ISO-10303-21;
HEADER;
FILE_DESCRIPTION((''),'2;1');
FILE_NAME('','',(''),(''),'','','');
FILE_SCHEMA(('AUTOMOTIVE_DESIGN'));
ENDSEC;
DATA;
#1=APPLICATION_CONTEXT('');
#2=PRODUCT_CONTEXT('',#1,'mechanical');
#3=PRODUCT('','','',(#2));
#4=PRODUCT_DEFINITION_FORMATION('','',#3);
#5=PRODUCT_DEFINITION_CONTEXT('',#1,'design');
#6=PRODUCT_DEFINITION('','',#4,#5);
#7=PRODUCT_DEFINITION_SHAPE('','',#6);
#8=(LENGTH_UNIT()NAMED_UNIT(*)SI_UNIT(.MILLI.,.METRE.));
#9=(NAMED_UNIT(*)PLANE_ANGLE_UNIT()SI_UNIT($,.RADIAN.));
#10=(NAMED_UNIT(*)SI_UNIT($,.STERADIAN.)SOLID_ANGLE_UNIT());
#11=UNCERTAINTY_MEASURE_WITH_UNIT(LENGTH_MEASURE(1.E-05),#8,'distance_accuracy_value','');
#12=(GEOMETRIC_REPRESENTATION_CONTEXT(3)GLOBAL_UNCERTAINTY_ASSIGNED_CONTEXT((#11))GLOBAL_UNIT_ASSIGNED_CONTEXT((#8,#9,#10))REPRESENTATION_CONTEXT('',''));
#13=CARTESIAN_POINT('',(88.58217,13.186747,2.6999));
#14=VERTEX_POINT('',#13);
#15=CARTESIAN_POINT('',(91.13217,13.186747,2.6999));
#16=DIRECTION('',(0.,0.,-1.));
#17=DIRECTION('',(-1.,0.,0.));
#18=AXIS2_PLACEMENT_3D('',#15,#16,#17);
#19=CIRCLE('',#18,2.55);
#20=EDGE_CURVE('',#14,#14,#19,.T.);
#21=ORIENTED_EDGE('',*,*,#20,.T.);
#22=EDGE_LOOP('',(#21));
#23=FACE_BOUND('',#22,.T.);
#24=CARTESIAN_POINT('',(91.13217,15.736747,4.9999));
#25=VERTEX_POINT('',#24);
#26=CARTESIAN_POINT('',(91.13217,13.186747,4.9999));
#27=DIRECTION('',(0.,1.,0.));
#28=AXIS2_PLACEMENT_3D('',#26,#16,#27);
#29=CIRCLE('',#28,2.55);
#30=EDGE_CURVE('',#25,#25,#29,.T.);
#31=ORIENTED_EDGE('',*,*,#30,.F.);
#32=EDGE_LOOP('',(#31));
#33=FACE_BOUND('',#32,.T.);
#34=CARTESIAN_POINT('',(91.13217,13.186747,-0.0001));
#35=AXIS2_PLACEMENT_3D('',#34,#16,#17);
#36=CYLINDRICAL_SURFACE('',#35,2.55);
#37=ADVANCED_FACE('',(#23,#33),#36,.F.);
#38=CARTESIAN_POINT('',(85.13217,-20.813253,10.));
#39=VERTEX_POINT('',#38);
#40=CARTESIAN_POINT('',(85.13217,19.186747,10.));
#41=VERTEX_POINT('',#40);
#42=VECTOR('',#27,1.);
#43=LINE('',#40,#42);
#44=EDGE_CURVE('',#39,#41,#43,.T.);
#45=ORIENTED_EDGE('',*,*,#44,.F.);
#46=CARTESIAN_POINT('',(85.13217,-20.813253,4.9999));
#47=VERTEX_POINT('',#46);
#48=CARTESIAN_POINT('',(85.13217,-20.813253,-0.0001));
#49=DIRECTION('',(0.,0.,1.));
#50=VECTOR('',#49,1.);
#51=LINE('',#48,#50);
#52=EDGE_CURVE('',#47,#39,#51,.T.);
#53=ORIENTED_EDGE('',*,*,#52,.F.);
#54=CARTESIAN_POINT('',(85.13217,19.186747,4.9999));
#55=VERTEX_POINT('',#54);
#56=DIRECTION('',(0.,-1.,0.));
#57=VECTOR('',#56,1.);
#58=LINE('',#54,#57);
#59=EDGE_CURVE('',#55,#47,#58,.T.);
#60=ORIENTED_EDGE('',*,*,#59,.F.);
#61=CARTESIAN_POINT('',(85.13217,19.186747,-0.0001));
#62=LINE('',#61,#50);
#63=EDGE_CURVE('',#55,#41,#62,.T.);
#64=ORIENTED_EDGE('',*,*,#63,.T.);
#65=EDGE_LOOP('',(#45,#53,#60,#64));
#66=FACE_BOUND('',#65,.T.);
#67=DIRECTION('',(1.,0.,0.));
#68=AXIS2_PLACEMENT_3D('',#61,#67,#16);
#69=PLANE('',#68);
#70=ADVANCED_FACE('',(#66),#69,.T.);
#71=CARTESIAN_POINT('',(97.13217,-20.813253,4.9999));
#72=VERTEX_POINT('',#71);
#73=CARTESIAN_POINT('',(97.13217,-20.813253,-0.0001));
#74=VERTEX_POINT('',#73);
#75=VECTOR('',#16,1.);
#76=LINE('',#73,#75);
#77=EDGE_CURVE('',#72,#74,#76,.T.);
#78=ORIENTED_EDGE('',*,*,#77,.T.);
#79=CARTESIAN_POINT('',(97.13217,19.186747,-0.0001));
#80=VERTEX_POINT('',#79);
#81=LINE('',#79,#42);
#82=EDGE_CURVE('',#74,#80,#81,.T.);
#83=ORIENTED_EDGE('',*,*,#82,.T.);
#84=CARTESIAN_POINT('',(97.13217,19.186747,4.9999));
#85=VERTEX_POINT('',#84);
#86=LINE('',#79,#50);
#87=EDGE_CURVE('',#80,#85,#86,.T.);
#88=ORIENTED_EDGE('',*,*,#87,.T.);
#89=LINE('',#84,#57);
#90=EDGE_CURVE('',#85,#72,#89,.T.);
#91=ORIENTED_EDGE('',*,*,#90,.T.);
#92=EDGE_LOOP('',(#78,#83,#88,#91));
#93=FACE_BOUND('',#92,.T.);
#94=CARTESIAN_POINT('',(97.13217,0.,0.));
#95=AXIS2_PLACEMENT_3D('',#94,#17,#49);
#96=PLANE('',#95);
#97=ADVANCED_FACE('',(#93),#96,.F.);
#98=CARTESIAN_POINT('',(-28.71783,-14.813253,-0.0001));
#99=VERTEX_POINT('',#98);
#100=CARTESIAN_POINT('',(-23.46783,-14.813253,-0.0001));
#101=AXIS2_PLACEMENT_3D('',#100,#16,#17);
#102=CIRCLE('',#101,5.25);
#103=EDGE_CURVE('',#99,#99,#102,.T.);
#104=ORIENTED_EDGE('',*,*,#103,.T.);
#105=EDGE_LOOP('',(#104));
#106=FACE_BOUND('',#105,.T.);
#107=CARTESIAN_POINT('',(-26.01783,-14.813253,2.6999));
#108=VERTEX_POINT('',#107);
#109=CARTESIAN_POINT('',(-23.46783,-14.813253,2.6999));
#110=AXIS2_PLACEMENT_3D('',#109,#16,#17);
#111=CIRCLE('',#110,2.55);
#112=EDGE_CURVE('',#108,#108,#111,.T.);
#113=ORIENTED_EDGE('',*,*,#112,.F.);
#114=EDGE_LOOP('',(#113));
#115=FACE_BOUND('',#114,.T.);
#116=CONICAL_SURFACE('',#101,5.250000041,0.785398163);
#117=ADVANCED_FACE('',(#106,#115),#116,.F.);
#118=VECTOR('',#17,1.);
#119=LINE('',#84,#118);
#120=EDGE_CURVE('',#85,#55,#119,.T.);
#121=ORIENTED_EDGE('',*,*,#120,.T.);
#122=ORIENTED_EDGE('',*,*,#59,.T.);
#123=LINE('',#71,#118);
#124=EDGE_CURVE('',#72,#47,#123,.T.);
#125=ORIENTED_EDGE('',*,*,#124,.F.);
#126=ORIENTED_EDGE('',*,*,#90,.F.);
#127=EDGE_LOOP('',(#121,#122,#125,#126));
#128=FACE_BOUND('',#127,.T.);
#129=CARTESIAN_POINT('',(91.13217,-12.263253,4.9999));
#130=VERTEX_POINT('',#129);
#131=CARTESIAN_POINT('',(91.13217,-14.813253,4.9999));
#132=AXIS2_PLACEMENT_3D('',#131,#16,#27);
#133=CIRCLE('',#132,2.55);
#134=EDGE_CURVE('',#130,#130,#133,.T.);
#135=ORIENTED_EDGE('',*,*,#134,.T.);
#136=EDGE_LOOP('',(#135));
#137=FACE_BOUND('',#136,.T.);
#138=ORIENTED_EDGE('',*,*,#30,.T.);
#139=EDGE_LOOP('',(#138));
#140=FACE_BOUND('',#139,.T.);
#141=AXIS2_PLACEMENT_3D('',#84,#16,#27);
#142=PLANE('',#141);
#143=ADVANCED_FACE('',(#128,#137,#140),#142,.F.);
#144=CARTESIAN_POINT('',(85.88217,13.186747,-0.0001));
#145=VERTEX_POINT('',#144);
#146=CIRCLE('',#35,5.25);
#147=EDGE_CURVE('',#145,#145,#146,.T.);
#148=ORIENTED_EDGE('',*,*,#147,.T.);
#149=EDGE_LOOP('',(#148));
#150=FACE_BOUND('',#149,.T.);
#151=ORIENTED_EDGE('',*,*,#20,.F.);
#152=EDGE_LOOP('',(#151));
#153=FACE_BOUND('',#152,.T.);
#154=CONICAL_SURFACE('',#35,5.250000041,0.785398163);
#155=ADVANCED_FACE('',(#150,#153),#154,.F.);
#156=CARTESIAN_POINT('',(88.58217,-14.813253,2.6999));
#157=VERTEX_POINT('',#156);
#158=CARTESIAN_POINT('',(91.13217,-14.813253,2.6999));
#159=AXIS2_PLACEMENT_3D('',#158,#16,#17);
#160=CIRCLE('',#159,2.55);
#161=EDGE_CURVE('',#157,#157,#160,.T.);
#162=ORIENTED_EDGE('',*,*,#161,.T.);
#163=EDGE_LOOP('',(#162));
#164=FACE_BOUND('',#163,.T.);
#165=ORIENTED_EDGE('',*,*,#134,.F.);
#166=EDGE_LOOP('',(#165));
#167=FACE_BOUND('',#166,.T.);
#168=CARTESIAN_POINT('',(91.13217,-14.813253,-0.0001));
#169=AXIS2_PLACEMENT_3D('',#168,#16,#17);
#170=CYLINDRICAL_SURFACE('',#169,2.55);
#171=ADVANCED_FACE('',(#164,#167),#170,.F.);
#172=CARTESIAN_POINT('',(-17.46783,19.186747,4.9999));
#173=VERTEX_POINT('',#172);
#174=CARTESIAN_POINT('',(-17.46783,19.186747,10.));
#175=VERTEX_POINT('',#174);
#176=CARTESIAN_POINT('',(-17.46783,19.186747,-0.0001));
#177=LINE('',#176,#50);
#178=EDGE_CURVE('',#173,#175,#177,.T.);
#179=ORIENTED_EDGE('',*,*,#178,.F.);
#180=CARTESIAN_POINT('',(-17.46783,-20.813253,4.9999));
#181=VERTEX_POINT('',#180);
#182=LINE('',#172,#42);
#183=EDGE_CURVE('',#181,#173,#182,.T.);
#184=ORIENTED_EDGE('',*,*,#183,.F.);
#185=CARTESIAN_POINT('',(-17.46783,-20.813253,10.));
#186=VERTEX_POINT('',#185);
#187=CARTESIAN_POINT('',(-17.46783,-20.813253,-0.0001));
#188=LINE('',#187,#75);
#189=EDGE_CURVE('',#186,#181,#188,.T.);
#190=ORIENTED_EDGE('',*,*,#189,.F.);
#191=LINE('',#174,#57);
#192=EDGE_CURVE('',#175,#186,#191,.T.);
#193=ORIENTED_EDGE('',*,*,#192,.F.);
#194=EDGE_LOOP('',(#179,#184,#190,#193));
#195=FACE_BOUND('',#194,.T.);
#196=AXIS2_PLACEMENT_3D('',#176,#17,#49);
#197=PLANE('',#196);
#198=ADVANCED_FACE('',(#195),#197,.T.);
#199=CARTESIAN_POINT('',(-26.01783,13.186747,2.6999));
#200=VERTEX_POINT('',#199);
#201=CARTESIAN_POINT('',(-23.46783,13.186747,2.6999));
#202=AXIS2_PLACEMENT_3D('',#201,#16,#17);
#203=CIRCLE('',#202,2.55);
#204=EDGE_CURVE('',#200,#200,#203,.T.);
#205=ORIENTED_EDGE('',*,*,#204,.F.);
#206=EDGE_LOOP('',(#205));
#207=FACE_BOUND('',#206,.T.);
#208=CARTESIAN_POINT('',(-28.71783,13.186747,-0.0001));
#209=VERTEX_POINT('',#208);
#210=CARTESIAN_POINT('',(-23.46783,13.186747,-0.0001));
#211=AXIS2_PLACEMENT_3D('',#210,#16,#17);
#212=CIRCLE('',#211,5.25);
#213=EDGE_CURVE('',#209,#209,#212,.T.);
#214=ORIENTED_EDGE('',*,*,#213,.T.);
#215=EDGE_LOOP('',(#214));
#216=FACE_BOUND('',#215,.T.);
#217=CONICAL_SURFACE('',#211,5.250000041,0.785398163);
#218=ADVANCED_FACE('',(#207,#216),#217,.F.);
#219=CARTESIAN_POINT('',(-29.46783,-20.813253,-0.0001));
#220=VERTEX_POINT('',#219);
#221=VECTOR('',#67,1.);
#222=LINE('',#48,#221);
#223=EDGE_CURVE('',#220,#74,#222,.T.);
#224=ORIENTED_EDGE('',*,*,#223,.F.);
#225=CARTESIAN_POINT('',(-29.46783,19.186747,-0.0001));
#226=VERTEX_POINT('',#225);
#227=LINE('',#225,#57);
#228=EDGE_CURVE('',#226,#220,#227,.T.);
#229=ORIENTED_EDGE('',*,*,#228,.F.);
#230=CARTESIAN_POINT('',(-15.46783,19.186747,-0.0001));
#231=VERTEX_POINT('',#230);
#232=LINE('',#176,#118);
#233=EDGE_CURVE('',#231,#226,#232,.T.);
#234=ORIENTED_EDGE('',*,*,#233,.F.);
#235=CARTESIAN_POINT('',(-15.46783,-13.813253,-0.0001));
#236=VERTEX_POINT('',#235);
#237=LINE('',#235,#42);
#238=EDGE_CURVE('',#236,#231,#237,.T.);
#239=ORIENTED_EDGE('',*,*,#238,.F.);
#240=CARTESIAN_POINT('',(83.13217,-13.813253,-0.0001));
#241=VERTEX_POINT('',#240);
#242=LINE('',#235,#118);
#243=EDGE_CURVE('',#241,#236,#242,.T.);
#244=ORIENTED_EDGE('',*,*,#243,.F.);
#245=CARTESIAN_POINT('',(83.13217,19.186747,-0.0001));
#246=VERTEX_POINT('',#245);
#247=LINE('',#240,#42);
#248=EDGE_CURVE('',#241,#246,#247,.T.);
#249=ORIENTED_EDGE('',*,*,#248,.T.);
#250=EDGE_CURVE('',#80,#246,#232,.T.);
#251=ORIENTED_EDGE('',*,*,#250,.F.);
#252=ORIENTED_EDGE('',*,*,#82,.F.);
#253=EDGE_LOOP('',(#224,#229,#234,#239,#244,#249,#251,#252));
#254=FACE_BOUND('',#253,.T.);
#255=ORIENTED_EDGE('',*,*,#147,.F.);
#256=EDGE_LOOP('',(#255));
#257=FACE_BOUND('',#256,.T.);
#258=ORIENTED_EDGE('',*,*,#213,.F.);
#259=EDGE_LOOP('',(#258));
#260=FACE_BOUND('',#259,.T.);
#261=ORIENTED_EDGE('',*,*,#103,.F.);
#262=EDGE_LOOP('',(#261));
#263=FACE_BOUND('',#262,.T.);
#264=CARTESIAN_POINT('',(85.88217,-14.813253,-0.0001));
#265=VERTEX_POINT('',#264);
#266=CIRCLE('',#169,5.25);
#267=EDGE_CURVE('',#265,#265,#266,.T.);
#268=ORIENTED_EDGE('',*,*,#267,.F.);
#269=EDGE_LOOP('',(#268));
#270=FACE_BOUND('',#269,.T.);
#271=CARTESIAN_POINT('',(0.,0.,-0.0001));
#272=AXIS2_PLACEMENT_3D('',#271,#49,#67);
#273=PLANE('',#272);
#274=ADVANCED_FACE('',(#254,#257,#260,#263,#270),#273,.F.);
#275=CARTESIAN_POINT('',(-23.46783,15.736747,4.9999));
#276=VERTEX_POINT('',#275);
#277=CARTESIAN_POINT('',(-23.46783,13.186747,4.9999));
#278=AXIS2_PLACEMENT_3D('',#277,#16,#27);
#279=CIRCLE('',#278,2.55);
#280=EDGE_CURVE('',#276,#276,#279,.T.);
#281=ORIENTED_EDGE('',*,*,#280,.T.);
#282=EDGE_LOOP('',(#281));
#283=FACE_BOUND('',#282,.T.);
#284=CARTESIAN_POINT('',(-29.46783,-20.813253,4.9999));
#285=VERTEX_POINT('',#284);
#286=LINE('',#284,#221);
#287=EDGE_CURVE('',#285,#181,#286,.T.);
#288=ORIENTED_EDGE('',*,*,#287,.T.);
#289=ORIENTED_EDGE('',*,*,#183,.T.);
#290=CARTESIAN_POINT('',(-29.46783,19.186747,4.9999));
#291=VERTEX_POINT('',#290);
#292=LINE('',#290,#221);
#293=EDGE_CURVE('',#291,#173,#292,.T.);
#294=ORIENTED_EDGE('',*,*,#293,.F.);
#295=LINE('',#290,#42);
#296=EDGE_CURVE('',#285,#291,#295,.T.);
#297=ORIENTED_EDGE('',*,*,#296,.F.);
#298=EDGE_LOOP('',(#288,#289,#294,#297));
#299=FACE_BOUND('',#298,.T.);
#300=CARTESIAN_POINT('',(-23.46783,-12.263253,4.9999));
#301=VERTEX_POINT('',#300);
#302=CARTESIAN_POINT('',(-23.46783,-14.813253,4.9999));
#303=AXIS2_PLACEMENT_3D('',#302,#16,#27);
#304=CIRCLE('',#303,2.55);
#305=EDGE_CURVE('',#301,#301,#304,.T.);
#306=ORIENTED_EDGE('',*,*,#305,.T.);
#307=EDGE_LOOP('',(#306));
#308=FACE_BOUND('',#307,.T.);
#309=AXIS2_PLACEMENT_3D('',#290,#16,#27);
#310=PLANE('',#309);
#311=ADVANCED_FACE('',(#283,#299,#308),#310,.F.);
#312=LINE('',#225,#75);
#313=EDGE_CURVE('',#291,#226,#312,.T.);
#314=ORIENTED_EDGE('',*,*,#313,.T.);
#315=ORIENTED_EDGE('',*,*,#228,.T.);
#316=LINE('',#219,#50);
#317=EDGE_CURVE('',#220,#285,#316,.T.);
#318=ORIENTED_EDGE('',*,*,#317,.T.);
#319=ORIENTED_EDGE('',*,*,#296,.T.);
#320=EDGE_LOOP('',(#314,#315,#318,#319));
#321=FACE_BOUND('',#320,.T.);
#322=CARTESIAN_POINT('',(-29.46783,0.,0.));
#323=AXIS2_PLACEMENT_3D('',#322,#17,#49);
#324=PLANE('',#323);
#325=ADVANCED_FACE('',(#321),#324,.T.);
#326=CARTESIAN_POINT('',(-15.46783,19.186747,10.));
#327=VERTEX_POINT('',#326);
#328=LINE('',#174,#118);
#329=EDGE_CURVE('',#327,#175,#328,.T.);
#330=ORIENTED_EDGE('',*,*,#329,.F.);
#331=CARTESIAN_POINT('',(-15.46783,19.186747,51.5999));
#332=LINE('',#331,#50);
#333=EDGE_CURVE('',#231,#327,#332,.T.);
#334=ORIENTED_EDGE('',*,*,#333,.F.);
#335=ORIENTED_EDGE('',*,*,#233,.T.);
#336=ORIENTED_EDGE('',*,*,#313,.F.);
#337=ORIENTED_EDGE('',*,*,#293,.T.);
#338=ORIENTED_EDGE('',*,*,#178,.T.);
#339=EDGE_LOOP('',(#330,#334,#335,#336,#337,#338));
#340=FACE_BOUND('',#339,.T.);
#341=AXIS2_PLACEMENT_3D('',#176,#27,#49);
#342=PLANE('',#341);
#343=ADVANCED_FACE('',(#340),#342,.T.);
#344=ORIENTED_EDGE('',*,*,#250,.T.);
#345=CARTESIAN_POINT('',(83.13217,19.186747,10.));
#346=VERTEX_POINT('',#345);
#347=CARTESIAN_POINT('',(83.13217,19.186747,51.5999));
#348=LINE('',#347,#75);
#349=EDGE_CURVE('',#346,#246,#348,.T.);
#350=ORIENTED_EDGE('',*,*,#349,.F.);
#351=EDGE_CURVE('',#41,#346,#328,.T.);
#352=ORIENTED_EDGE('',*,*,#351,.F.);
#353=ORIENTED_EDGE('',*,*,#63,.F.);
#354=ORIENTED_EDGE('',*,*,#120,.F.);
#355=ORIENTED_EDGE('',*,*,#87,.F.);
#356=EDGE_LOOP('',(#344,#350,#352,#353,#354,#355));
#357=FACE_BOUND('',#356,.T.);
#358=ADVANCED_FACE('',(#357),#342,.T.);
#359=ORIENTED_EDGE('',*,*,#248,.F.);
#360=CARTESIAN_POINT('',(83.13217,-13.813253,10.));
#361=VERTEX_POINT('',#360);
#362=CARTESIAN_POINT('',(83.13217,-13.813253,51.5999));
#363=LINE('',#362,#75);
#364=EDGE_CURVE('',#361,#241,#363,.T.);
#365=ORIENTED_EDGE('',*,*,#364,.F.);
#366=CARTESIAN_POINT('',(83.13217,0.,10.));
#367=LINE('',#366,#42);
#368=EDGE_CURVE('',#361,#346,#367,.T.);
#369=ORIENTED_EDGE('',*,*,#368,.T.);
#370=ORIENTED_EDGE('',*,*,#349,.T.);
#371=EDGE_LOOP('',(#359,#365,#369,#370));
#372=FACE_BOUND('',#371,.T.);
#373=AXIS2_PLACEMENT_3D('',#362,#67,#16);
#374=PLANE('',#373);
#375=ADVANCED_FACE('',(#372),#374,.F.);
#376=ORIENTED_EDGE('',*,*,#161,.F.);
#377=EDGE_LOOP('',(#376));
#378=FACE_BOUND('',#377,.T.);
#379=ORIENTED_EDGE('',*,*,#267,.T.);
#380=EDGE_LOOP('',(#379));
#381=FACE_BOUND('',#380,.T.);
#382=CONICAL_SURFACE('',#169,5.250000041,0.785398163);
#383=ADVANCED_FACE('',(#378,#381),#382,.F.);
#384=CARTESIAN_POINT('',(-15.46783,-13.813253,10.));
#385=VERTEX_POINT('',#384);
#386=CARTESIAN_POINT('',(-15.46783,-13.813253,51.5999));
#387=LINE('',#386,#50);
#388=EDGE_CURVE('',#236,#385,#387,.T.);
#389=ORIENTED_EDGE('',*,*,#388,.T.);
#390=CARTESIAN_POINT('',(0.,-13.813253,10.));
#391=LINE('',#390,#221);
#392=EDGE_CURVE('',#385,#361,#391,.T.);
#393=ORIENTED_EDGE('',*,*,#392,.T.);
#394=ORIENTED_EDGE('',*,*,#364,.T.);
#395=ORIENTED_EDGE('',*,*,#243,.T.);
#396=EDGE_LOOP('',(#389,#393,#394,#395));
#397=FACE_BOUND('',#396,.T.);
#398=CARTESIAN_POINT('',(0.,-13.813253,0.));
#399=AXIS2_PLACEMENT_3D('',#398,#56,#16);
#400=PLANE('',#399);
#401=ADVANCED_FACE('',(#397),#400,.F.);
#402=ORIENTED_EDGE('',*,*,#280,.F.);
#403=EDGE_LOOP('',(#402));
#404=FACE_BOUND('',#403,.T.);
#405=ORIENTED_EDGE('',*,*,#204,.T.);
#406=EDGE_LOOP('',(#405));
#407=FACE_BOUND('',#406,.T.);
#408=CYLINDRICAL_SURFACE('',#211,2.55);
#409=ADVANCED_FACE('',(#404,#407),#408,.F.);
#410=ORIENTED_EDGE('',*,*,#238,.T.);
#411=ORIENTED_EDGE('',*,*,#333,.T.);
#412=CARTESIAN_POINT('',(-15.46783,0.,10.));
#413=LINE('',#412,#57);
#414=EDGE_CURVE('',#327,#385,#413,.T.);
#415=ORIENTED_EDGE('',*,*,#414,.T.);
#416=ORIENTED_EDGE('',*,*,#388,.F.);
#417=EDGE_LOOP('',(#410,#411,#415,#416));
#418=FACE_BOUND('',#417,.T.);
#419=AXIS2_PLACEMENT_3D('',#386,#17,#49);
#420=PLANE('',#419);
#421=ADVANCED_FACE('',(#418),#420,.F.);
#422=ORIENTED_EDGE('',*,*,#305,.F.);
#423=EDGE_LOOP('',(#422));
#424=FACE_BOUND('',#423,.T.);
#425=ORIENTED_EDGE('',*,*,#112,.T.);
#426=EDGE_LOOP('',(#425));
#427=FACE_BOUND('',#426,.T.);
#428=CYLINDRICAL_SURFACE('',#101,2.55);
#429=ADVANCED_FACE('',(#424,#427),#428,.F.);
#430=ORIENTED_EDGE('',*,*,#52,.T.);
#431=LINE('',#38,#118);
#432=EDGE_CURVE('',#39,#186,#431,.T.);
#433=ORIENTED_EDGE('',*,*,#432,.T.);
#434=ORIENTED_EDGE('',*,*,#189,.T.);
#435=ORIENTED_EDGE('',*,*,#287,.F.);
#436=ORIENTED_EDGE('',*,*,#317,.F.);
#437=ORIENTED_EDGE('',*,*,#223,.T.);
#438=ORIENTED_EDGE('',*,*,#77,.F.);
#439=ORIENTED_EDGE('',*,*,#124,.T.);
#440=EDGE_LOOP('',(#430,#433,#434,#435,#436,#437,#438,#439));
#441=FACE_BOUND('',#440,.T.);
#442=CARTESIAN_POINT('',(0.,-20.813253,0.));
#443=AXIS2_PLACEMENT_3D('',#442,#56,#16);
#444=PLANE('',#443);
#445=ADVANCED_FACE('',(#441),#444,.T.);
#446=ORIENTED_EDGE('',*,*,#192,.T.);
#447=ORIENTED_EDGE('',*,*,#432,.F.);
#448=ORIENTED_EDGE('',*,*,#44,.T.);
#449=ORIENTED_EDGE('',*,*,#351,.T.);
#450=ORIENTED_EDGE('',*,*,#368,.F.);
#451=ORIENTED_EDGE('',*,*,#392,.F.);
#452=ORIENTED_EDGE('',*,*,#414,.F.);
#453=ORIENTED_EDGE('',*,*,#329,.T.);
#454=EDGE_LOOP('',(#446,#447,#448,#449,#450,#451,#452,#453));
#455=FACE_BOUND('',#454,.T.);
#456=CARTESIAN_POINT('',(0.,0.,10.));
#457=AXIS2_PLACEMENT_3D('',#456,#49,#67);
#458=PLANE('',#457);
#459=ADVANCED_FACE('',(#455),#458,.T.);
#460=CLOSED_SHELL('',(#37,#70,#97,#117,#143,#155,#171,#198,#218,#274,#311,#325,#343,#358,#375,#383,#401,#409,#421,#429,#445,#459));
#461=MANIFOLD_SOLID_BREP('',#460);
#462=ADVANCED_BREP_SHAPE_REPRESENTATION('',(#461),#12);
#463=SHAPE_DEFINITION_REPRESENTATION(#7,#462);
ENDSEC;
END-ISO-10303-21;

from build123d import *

# Parameters (mm, degrees)
BOSS_EXTRU_1_DEPTH                                = 10
BOSS_EXTRU_1_DEPTH_BACK                           = 0.0001
ESQUISSE1_W                                       = 102.6
ESQUISSE1_H                                       = 35
ESQUISSE4_W                                       = 98.6
ESQUISSE4_H                                       = 51.6
ENL_V_MAT_EXTRU_2_DEPTH                           = 33
ESQUISSE19_W                                      = 102.6
ESQUISSE19_H                                      = 10.0001
BOSS_EXTRU_4_DEPTH                                = 5
ESQUISSE21_W                                      = 5
ESQUISSE21_H                                      = 40
BOSS_EXTRU_5_DEPTH                                = 12
ESQUISSE22_W                                      = 5
ESQUISSE22_H                                      = 40
BOSS_EXTRU_6_DEPTH                                = 12
FRAISAGE_POUR_VIS_T_TE_FRAIS_E_BOMB_E_D           = 5.09999996
FRAISAGE_POUR_VIS_T_TE_FRAIS_E_BOMB_E_CSINK_D     = 10.500000082
FRAISAGE_POUR_VIS_T_TE_FRAIS_E_BOMB_E_CSINK_ANGLE = 90


with BuildPart() as part:
    # Esquisse1 → Boss.-Extru.1 (new, two sides: drawn at the far end of the back side and taken through both)
    with BuildSketch(Plane.XY.offset(-BOSS_EXTRU_1_DEPTH_BACK)):
        with Locations((33.832170394, 1.686746988)):
            Rectangle(ESQUISSE1_W, ESQUISSE1_H)
    extrude(amount=BOSS_EXTRU_1_DEPTH + BOSS_EXTRU_1_DEPTH_BACK)

    # Esquisse4 → Enlèv. mat.-Extru.2 (cut)
    with BuildSketch(Plane(origin=(0, 19.186746988, 0), x_dir=(1, 0, 0), z_dir=(0, 1, 0))):
        with Locations((33.832170394, -25.7999)):
            Rectangle(ESQUISSE4_W, ESQUISSE4_H)
    extrude(amount=-ENL_V_MAT_EXTRU_2_DEPTH, mode=Mode.SUBTRACT)

    # Esquisse19 → Boss.-Extru.4 (add)
    with BuildSketch(Plane.XZ.offset(15.813253012)):
        with Locations((33.832170394, 4.99995)):
            Rectangle(ESQUISSE19_W, ESQUISSE19_H)
    extrude(amount=BOSS_EXTRU_4_DEPTH)

    # Esquisse21 → Boss.-Extru.5 (add)
    with BuildSketch(Plane.ZY.offset(17.467829606)):
        with Locations((2.4999, -0.813253012)):
            Rectangle(ESQUISSE21_W, ESQUISSE21_H)
    extrude(amount=BOSS_EXTRU_5_DEPTH)

    # Esquisse22 → Boss.-Extru.6 (add)
    with BuildSketch(Plane(origin=(85.132170394, 0, 0), x_dir=(0, 0, -1), z_dir=(1, 0, 0))):
        with Locations((-2.4999, -0.813253012)):
            Rectangle(ESQUISSE22_W, ESQUISSE22_H)
    extrude(amount=BOSS_EXTRU_6_DEPTH)

    # Fraisage pour vis à tête fraisée bombée #51 (through all)
    with Locations(Plane(origin=(91.132170394, 13.186746988, -0.0001), x_dir=(-1, 0, 0), z_dir=(0, 0, -1))):
        with Locations((0, 0), (0, -28), (114.6, 0), (114.6, -28)):
            CounterSinkHole(FRAISAGE_POUR_VIS_T_TE_FRAIS_E_BOMB_E_D / 2, FRAISAGE_POUR_VIS_T_TE_FRAIS_E_BOMB_E_CSINK_D / 2, counter_sink_angle=FRAISAGE_POUR_VIS_T_TE_FRAIS_E_BOMB_E_CSINK_ANGLE)


solid = part.part
